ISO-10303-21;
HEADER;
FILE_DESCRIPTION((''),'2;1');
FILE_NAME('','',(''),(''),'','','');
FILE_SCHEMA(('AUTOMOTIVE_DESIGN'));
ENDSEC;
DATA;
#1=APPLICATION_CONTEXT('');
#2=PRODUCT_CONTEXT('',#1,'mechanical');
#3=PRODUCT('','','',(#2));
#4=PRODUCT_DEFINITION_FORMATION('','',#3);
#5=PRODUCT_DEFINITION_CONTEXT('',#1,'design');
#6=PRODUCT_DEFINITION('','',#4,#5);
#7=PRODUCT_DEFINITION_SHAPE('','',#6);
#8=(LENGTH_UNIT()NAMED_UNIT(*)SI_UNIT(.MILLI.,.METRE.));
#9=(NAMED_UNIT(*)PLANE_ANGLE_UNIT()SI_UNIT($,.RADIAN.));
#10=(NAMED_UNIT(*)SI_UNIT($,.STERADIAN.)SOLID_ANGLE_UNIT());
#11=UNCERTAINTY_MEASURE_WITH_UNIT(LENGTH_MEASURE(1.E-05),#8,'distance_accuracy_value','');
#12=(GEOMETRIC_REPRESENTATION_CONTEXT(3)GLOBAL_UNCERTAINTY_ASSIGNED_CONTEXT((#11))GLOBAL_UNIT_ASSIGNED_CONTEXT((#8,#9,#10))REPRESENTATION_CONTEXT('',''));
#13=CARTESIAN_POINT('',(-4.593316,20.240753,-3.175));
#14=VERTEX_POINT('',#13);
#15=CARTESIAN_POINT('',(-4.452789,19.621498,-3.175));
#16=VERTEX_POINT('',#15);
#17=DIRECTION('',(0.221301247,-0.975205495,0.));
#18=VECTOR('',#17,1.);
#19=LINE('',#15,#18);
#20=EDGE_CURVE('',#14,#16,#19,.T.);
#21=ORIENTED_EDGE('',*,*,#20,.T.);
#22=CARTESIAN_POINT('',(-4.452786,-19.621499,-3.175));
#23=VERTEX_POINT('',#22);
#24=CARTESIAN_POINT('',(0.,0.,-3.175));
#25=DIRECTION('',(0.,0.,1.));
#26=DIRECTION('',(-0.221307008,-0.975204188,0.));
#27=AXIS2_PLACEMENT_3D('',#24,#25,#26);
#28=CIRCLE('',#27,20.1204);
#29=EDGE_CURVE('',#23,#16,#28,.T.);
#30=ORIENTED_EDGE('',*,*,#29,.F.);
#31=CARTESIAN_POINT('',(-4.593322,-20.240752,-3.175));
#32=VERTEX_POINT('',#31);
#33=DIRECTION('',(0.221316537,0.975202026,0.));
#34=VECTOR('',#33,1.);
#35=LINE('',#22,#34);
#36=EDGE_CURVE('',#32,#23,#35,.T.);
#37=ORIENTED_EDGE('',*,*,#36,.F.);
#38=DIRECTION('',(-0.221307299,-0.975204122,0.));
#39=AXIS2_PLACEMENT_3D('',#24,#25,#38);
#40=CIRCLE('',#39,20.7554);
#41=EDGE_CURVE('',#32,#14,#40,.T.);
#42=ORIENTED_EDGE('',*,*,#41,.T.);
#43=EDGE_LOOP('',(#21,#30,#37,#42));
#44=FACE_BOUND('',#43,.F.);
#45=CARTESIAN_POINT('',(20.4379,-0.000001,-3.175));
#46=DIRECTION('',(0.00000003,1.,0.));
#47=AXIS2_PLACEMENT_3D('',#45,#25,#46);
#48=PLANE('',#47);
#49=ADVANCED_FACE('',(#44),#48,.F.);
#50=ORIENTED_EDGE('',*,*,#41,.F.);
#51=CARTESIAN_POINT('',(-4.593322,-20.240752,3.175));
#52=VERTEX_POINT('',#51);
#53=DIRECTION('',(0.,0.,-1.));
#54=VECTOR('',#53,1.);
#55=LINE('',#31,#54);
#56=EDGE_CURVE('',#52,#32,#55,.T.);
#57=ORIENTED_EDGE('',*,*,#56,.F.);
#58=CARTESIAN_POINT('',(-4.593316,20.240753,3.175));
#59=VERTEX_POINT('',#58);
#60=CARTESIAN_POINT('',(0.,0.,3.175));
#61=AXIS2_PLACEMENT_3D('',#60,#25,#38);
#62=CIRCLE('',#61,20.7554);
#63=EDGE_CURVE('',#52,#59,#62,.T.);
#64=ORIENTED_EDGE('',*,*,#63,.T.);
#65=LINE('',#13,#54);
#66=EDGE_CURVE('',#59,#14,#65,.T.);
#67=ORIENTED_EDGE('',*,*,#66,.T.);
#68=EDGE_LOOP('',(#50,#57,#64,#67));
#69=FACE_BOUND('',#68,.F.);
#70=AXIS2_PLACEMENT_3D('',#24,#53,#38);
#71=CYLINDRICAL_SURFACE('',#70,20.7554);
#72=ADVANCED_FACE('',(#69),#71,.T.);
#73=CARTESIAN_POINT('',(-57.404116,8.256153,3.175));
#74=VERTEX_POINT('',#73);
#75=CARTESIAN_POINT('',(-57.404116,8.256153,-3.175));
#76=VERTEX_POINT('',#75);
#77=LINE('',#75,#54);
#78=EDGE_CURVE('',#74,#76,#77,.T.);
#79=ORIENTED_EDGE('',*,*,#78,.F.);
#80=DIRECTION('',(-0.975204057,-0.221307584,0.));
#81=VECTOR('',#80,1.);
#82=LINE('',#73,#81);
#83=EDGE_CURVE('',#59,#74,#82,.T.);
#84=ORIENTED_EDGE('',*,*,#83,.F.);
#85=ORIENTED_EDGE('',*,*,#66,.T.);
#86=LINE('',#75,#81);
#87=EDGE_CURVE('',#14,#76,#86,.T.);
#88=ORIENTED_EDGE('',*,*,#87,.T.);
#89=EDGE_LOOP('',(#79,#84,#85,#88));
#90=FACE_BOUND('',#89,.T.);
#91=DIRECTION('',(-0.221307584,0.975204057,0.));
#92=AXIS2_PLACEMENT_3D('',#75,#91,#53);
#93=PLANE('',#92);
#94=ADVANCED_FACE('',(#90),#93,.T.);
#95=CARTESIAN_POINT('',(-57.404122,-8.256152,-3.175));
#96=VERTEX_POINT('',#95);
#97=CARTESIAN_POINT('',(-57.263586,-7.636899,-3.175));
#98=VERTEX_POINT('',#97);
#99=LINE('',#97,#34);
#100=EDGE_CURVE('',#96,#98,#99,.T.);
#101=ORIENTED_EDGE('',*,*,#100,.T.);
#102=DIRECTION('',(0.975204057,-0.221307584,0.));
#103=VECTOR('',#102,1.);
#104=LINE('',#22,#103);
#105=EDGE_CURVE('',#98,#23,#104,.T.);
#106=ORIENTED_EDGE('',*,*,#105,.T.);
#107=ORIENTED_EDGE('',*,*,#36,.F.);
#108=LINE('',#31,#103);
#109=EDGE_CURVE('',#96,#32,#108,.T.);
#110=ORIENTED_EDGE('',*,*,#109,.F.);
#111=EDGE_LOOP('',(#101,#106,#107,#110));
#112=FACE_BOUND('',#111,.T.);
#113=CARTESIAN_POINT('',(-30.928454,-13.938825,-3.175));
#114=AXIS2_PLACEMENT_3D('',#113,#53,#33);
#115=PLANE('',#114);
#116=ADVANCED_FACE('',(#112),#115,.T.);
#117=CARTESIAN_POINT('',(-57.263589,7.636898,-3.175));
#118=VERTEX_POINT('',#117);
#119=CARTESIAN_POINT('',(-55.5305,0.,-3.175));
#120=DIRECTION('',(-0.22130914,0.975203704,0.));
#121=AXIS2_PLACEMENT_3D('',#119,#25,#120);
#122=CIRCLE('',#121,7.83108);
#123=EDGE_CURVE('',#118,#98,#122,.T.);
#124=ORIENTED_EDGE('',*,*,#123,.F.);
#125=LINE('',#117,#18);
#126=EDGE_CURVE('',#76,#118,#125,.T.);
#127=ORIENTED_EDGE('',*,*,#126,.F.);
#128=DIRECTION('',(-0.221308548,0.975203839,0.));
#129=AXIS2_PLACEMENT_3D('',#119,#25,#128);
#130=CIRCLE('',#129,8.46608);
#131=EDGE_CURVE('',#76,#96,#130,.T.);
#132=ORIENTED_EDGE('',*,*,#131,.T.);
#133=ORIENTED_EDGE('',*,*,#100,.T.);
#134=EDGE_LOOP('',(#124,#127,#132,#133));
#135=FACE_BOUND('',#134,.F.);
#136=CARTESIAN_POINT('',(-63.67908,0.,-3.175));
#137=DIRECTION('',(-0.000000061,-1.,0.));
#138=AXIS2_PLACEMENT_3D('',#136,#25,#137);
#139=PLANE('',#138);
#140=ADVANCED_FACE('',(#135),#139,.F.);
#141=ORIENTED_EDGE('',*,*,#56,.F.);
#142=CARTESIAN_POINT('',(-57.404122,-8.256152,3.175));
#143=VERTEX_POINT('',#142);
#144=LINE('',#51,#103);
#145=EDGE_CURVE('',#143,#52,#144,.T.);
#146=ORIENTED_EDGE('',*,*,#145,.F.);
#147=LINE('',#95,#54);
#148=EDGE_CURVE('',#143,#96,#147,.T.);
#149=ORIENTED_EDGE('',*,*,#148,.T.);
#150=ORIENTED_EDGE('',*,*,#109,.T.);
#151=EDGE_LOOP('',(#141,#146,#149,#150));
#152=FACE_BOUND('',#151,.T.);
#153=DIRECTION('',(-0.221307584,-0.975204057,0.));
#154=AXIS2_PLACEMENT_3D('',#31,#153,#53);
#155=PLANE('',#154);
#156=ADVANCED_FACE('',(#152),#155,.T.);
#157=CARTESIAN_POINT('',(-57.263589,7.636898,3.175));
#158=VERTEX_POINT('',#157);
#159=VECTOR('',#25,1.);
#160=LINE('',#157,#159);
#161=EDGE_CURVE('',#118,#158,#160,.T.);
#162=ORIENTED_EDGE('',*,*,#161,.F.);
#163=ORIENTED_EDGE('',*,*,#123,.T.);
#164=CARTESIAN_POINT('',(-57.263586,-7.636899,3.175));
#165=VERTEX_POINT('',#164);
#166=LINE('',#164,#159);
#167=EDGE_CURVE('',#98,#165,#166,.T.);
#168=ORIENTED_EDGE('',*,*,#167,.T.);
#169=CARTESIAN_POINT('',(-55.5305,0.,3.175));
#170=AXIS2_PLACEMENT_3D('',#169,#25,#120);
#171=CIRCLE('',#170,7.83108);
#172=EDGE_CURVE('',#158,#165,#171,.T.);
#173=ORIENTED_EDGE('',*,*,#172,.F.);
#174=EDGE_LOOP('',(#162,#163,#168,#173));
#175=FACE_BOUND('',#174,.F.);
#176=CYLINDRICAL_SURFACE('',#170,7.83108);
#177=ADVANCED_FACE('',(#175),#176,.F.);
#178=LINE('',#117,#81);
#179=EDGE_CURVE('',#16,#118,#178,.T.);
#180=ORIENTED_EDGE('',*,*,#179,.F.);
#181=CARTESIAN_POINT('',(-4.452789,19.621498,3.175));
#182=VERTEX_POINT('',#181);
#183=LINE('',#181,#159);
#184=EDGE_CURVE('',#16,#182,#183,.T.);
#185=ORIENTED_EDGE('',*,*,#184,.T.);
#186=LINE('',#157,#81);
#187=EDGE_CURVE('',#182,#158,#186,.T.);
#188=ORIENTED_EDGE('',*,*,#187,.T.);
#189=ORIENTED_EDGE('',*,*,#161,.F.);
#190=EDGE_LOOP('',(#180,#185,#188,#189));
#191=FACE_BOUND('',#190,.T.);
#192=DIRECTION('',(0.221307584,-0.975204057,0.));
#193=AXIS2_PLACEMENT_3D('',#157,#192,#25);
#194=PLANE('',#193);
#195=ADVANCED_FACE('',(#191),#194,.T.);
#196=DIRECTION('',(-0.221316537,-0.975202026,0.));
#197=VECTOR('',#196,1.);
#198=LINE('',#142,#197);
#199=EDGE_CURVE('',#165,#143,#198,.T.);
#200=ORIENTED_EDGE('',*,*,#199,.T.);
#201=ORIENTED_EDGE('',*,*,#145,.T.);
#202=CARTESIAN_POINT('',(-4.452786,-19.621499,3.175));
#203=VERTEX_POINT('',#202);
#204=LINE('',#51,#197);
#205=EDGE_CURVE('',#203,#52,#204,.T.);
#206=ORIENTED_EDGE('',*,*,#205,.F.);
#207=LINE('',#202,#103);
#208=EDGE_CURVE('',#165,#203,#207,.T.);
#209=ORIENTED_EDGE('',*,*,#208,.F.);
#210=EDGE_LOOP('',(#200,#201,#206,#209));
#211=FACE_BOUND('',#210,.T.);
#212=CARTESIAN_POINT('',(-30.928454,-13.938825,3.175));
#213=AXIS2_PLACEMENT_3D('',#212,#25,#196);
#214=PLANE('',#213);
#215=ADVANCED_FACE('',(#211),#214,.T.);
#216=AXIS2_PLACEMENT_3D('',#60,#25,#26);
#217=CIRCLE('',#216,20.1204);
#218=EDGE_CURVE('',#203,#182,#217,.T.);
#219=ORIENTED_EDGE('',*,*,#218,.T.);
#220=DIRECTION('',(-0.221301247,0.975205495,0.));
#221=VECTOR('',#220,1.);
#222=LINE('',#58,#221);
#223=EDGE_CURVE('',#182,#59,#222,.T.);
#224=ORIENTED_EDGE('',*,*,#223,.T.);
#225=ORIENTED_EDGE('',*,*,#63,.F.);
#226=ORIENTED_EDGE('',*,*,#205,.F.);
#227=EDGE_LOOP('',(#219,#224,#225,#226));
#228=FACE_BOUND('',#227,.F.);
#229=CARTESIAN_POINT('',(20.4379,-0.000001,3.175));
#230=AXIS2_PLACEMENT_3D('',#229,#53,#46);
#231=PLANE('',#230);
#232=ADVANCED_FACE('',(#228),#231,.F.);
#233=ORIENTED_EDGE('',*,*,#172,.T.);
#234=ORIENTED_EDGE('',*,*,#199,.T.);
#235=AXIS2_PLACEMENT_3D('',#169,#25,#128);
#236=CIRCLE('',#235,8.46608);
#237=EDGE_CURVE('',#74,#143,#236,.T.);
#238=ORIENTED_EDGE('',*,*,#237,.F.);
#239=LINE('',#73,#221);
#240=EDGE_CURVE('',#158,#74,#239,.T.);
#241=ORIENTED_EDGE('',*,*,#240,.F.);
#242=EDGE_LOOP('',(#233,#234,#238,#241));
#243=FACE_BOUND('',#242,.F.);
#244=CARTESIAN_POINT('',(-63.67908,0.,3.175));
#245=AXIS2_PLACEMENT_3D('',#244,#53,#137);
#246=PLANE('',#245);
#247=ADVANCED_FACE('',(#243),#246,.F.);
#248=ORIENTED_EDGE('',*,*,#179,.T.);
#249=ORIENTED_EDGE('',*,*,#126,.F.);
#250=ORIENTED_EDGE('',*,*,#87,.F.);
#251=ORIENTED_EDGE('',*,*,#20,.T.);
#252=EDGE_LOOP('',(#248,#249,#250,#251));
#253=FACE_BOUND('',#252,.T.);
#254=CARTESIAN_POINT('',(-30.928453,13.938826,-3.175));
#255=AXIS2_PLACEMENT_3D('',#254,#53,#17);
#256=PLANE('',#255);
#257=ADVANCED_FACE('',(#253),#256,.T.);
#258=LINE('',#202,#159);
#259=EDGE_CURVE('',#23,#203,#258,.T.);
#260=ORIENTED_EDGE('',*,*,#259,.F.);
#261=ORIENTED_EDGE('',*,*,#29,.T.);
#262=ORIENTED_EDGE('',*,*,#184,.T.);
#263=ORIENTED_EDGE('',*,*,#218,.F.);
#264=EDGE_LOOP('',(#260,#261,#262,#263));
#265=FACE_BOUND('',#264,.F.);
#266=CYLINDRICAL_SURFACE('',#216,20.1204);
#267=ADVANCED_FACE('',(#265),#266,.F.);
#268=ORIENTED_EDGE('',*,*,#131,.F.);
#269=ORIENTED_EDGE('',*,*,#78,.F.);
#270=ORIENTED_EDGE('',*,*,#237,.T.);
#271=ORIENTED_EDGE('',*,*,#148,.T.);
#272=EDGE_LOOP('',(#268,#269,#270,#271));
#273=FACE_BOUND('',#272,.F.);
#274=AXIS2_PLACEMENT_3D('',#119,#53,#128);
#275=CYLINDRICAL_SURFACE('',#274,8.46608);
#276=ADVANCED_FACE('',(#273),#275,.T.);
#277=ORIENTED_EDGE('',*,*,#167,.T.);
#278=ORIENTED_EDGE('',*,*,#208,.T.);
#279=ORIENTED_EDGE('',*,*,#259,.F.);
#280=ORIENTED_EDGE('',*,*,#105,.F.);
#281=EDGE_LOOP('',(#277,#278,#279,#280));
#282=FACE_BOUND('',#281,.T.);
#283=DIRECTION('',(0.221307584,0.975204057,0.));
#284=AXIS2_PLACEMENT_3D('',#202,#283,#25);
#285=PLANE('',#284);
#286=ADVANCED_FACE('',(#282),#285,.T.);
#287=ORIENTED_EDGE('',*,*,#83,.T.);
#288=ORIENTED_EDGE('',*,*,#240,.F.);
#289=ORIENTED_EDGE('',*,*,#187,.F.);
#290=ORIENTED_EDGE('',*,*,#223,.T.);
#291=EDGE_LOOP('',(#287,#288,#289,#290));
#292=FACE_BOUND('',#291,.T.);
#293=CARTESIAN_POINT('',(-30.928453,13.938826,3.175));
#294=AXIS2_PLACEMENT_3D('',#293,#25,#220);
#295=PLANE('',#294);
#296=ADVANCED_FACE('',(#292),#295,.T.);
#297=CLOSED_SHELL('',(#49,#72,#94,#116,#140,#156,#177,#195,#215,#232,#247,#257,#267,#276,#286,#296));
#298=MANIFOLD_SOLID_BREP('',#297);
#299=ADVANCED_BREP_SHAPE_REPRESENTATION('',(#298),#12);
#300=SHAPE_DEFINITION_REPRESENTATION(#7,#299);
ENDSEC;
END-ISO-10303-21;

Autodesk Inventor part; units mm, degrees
sketch "Эскизная траектория" plane through (0, 0, 0) normal (0, 0, 1) x (1, 0, 0)
  arc A0 (-4.509, -19.8692) -> (-4.509, 19.8692) centre (0, 0) ccw
  arc A1 (-57.3198, 7.8846) -> (-57.3198, -7.8846) centre (-55.5305, 0) ccw
  line L0 (-57.3198, 7.8846) -> (-4.509, 19.8692)
  line L1 (-4.509, -19.8692) -> (-57.3198, -7.8846)
ref_plane "Плоскость сечения" through (-4.509, 19.8692, 0) normal (-0.9752, -0.2213, 0) x (0, 0, 1)
ref_plane "РабПлоскость2" through (0, 0, 0) normal (-1, 0, 0) x (0, 0, 1)
ref_plane "РабПлоскость3" through (-55.5305, 0, 0) normal (0.9298, -0.3681, 0) x (0, 0, 1)
sketch "Сечение" plane through (-4.509, 19.8692, 0) normal (-0.9752, -0.2213, 0) x (0, 0, 1)
  line L0 (-3.175, 0.381) -> (3.175, 0.381)
  line L1 (3.175, 0.381) -> (3.175, -0.254)
  line L2 (3.175, -0.254) -> (-3.175, -0.254)
  line L3 (-3.175, -0.254) -> (-3.175, 0.381)
  line L4 (-3.175, 0) -> (3.175, 0) construction
  point P0 (0, 0)
  point P1 (0, 0)
  dimension "d0" = 6.35
  dimension "d4" = 0.254
  dimension "d5" = 0.381
sweep "Ремень" add profiles "Сечение" path "Эскизная траектория"
equation "\"d0\" = da_B"
equation "\"d4\" = da_a"
equation "\"d5\" = da_a2"
equation "\"da_B\" = 6.35"
equation "\"da_pb\" = 2.032"
equation "\"da_L\" = 203.2"
equation "\"da_a\" = 0.254"
equation "\"da_S\" = 1.143"
equation "\"da_Beta\" = 20deg"
equation "\"da_Ht\" = 0.508"
equation "\"da_H\" = 1.143"
equation "\"da_a2\" = 0.381"
properties part number "Зубчатый ремень" material "Rubber"
